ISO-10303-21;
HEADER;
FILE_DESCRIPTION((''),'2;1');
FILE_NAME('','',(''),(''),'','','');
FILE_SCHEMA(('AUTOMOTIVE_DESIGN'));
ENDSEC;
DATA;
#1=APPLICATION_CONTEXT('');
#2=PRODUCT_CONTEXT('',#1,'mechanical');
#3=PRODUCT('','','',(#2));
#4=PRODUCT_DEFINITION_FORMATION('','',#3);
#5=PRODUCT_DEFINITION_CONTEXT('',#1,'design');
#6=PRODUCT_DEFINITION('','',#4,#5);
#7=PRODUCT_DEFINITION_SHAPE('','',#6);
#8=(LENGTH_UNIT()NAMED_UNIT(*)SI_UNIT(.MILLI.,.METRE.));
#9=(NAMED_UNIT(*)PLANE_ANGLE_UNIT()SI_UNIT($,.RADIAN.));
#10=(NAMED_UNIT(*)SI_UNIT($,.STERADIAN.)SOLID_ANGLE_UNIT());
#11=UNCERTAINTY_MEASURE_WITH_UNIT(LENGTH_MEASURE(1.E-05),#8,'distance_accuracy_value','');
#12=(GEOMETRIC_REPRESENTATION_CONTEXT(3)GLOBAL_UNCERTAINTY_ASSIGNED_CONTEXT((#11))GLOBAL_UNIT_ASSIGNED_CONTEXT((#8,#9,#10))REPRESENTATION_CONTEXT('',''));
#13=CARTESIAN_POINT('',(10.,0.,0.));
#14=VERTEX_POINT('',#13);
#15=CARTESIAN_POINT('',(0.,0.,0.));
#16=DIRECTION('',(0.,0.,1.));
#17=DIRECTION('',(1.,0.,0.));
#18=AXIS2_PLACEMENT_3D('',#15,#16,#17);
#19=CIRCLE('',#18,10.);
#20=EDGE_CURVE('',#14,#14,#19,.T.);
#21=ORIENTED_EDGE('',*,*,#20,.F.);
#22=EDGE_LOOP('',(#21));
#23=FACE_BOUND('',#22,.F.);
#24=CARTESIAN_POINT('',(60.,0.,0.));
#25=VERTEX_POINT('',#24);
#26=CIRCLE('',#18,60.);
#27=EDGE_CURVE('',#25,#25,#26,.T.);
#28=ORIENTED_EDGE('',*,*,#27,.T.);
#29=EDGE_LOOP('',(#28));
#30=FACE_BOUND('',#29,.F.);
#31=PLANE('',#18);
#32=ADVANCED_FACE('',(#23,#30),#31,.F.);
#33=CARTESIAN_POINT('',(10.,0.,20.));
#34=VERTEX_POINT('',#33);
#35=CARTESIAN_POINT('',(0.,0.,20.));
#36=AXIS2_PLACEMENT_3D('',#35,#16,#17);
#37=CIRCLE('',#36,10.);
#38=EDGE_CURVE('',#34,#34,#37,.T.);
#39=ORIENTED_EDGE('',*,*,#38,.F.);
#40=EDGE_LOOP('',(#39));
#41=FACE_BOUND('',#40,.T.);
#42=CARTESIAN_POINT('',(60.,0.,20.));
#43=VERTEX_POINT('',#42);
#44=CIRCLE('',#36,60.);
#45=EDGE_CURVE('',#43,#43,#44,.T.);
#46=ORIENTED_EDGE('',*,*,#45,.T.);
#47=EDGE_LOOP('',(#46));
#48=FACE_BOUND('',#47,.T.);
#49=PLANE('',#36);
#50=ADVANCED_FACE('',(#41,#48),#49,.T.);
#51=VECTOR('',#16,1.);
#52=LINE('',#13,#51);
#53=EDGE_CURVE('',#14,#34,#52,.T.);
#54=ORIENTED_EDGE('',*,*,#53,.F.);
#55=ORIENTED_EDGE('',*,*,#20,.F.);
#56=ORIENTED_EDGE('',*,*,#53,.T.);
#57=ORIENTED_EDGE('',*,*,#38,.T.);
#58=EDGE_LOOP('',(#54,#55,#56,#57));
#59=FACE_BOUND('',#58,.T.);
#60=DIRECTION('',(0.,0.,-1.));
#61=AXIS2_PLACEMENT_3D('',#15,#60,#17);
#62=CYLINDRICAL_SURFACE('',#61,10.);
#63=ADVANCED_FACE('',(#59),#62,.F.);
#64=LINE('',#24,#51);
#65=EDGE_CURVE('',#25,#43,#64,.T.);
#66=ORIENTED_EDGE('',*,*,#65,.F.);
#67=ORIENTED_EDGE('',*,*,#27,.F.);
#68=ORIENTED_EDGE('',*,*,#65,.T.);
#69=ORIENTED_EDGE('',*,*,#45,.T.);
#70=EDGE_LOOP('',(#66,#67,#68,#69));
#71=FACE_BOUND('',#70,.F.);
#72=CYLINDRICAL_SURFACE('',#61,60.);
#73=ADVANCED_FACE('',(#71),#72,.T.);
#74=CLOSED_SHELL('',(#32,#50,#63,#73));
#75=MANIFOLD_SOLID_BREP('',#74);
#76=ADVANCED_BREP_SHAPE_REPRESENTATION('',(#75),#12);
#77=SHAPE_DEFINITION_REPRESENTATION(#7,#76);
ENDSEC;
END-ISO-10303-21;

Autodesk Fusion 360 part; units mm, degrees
sketch "Esquisse1" plane through (0, 0, 0) normal (0, 0, 1) x (1, 0, 0)
  circle A0 centre (0, 0) radius 10
  circle A1 centre (0, 0) radius 60
  dimension "d1" = 20
  dimension "d2" = 120
extrude "Extrusion1" add sketch "Esquisse1" along normal blind 20
